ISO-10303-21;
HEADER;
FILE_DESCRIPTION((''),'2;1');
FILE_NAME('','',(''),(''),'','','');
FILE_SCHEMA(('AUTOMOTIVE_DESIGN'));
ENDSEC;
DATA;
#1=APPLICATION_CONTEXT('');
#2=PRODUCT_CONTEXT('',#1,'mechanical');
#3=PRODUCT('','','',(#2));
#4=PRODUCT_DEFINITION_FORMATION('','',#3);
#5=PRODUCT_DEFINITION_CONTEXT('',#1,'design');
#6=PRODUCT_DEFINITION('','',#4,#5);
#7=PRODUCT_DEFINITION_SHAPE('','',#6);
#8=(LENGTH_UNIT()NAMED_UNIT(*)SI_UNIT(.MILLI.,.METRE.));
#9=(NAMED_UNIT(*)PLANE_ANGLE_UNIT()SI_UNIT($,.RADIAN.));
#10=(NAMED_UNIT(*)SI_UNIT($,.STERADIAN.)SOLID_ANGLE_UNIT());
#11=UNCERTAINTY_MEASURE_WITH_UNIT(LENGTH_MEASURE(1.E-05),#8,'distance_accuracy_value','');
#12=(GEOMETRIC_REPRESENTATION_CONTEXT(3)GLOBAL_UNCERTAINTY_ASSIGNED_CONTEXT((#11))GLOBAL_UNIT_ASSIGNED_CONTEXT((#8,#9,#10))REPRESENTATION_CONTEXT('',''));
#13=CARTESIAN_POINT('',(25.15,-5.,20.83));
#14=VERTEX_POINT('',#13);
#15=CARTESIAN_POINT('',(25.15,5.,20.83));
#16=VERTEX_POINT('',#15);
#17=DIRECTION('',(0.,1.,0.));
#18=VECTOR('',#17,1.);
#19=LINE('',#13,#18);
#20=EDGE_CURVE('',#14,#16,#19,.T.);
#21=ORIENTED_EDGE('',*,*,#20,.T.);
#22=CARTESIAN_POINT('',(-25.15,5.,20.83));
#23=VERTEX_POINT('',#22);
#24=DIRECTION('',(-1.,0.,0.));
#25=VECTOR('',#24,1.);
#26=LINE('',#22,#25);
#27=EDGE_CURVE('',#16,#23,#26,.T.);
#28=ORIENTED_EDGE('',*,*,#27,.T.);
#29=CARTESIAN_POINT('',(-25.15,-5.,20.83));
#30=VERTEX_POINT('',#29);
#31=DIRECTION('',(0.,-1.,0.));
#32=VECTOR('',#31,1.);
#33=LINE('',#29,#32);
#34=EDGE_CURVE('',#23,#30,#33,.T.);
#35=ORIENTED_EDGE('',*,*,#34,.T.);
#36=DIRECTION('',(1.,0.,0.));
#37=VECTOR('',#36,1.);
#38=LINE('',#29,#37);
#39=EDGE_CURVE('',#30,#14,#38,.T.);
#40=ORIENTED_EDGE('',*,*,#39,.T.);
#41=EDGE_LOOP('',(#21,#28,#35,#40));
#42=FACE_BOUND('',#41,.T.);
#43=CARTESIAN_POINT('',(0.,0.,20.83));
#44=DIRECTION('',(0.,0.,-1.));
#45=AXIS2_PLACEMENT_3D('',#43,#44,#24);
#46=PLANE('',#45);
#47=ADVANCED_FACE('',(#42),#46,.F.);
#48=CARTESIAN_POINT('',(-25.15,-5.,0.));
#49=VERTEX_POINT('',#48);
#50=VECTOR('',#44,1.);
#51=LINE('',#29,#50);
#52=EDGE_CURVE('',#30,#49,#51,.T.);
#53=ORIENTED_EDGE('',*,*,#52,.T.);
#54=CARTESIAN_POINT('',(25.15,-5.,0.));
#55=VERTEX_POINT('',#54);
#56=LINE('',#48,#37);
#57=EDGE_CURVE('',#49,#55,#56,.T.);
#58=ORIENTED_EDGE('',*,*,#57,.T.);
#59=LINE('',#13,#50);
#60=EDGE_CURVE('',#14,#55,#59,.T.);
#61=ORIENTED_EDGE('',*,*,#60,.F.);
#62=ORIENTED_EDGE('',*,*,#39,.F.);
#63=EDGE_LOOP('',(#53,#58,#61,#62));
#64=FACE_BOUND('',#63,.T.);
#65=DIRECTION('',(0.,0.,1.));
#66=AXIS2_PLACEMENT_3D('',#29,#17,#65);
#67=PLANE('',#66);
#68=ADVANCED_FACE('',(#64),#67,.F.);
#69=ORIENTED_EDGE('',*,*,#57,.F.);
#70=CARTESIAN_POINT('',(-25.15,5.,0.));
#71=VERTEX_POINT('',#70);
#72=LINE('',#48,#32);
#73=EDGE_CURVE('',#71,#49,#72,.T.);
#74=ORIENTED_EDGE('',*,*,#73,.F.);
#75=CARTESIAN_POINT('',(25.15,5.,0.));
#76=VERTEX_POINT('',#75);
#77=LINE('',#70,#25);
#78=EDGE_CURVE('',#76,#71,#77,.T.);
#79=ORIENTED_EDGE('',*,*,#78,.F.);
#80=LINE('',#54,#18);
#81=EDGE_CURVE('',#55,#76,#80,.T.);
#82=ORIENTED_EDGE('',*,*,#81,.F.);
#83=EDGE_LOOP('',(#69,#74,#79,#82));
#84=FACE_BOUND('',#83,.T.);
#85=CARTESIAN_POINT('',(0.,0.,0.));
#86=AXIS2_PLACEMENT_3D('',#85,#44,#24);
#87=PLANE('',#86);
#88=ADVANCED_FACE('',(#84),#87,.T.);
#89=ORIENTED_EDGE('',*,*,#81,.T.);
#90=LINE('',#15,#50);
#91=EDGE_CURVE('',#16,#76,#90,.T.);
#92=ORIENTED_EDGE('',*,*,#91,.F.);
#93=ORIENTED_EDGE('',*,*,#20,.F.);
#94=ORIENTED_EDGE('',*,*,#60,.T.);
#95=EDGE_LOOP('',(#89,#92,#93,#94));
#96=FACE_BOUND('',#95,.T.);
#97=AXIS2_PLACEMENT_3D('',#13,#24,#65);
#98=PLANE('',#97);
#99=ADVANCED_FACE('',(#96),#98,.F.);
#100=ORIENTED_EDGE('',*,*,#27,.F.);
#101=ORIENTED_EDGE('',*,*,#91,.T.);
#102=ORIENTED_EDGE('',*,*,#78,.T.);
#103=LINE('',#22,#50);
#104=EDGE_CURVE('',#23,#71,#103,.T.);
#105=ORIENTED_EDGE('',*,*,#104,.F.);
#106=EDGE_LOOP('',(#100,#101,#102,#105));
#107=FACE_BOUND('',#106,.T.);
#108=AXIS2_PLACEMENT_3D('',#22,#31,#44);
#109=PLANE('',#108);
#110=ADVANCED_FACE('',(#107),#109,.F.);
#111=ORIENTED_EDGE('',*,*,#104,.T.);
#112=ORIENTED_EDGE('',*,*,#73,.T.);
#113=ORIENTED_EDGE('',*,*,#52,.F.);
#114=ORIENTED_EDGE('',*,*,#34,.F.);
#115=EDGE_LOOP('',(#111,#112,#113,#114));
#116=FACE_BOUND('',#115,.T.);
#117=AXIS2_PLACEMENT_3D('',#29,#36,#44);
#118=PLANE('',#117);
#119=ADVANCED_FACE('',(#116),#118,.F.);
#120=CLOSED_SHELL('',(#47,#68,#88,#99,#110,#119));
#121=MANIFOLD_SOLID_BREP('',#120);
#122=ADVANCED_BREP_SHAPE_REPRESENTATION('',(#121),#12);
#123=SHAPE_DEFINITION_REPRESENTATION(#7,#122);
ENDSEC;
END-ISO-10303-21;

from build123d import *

# Parameters (mm, degrees)
SKETCH1_W      = 50.3
SKETCH1_H      = 10
ENVELOPE_DEPTH = 20.83


with BuildPart() as part:
    # Sketch1 → Envelope (new body)
    with BuildSketch(Plane.XY):
        Rectangle(SKETCH1_W, SKETCH1_H)
    extrude(amount=ENVELOPE_DEPTH)


solid = part.part
